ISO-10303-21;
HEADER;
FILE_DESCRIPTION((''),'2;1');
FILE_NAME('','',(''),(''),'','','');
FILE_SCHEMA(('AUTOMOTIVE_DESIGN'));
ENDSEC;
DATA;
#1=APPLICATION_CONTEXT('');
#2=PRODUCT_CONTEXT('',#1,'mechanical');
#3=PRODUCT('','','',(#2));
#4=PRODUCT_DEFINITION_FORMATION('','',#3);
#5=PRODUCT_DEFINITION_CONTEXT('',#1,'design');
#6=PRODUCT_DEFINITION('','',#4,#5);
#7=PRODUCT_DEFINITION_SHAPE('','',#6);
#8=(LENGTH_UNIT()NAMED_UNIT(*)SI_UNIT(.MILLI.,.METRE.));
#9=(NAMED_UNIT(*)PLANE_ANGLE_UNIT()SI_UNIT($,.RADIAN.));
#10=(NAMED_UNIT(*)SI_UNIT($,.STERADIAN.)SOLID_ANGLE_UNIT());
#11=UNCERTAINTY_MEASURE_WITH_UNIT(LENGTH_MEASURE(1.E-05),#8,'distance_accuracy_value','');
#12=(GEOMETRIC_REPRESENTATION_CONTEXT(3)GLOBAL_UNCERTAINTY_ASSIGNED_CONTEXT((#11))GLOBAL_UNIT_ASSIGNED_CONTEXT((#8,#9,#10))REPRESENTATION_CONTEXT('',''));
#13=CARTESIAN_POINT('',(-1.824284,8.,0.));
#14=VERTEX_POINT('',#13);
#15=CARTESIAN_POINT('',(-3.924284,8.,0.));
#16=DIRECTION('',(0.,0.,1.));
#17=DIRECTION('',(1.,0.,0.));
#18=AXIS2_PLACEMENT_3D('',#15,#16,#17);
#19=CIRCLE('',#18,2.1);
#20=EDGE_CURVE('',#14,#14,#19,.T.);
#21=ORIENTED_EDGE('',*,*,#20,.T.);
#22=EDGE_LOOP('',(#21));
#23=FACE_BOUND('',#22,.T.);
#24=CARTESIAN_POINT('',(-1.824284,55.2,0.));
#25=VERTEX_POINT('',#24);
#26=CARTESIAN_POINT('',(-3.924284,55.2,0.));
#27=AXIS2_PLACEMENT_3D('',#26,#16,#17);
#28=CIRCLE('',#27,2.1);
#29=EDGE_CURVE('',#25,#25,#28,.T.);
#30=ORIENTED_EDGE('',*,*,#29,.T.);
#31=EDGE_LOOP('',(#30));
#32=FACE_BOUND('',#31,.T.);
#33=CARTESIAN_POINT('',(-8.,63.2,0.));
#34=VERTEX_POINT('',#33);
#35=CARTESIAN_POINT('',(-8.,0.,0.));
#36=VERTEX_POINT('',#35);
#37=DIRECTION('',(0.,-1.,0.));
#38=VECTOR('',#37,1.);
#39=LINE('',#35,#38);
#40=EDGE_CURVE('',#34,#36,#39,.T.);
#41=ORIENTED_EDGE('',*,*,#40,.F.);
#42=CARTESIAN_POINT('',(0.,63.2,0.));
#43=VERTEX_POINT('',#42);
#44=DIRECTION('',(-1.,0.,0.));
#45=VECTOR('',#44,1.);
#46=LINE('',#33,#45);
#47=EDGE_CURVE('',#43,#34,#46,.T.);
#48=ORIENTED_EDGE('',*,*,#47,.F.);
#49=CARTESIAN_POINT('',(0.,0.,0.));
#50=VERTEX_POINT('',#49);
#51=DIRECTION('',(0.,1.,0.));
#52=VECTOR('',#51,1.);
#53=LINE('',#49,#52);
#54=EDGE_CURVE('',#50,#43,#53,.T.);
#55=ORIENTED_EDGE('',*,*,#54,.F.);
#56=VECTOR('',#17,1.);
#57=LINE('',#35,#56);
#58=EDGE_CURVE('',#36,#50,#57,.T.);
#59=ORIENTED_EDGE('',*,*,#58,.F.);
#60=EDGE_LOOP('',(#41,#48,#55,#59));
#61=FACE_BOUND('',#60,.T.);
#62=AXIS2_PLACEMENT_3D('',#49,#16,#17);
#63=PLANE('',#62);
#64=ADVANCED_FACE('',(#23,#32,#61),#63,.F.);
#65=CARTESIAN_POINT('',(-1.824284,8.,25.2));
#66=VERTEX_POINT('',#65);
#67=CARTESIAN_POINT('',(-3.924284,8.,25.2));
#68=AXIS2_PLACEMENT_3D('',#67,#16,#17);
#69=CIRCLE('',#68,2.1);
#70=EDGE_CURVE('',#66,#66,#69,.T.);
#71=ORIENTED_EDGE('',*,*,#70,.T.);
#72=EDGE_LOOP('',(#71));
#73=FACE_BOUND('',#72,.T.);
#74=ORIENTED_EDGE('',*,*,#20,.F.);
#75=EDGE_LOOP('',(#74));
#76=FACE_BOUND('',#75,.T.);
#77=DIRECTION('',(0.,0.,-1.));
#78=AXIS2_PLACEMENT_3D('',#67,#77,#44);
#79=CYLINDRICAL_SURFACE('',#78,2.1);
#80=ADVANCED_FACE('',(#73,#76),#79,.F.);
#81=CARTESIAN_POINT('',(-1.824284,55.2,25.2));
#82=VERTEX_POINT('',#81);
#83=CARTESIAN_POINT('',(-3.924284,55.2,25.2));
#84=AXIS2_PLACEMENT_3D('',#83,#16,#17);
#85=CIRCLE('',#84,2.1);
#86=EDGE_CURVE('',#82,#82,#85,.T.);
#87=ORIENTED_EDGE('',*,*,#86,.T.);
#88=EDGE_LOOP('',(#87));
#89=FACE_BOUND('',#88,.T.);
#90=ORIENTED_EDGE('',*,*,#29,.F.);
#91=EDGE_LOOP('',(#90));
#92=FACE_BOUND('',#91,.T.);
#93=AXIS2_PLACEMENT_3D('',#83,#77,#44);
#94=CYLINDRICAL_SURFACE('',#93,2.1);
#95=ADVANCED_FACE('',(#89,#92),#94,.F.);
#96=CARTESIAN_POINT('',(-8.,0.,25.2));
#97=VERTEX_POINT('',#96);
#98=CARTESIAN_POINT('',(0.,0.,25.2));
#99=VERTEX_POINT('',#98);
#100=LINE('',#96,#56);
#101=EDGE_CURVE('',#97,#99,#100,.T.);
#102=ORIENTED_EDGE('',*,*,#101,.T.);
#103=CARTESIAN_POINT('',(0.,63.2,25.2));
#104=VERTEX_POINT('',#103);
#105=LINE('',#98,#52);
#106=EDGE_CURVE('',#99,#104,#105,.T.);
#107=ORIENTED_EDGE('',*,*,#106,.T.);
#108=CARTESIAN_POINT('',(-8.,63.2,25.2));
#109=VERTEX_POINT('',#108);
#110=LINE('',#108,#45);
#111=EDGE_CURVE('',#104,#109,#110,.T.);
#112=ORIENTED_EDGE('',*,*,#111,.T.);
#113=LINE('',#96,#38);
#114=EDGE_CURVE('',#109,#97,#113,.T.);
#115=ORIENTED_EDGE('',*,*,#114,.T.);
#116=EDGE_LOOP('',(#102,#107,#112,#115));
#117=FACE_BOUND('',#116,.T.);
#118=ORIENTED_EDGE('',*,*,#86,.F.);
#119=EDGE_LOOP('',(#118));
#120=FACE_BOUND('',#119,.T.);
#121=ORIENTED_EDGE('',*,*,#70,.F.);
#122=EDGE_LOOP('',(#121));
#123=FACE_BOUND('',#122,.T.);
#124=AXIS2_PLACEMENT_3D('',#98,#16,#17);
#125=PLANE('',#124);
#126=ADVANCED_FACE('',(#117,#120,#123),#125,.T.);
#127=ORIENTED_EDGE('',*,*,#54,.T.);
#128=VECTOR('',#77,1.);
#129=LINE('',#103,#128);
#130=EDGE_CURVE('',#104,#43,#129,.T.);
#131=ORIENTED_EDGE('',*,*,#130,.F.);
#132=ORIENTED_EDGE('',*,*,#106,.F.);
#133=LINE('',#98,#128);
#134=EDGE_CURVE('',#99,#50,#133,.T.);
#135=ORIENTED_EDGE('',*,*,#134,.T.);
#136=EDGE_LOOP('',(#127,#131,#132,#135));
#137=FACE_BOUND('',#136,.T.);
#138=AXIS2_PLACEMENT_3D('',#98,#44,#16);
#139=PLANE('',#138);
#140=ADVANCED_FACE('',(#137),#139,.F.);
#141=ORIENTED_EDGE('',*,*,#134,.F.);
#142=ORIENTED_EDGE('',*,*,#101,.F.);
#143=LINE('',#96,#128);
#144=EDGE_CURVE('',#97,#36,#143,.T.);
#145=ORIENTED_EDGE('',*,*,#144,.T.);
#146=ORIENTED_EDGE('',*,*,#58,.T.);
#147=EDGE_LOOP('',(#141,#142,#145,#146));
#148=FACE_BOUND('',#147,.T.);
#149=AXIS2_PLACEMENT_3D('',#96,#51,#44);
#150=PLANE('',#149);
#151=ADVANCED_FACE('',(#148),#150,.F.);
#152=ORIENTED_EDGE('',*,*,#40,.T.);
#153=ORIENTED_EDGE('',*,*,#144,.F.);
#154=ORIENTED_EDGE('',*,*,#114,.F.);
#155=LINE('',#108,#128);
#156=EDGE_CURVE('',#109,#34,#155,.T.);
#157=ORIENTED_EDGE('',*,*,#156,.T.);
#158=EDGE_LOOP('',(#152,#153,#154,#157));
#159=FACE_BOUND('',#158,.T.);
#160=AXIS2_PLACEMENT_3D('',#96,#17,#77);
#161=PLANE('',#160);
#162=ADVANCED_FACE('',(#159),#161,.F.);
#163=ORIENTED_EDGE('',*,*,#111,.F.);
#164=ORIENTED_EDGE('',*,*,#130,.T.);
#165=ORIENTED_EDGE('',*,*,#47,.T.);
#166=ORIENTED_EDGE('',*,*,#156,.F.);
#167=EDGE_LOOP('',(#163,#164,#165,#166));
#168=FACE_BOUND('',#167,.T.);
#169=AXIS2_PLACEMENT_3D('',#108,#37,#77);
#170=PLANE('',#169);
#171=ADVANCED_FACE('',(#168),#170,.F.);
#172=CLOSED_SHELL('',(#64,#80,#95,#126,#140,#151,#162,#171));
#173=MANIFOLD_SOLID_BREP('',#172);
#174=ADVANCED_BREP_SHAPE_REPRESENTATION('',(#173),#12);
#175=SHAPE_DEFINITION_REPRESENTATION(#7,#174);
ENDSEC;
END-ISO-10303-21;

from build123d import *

# Parameters (mm, degrees)
SKETCH1_W           = 63.2
SKETCH1_H           = 8
SKETCH1_R           = 2.1
BOSS_EXTRUDE1_DEPTH = 25.2


with BuildPart() as part:
    # Sketch1 → Boss-Extrude1 (new body)
    with BuildSketch(Plane(origin=(0, 0, 0), x_dir=(0, 1, 0), z_dir=(0, 0, 1))):
        with Locations((31.6, 4)):
            Rectangle(SKETCH1_W, SKETCH1_H)
        with Locations(Location((8, 3.924284309, 0), (0, 0, 270))):
            Circle(SKETCH1_R, mode=Mode.SUBTRACT)
        with Locations(Location((55.2, 3.924284309, 0), (0, 0, 270))):
            Circle(SKETCH1_R, mode=Mode.SUBTRACT)
    extrude(amount=BOSS_EXTRUDE1_DEPTH)


solid = part.part
